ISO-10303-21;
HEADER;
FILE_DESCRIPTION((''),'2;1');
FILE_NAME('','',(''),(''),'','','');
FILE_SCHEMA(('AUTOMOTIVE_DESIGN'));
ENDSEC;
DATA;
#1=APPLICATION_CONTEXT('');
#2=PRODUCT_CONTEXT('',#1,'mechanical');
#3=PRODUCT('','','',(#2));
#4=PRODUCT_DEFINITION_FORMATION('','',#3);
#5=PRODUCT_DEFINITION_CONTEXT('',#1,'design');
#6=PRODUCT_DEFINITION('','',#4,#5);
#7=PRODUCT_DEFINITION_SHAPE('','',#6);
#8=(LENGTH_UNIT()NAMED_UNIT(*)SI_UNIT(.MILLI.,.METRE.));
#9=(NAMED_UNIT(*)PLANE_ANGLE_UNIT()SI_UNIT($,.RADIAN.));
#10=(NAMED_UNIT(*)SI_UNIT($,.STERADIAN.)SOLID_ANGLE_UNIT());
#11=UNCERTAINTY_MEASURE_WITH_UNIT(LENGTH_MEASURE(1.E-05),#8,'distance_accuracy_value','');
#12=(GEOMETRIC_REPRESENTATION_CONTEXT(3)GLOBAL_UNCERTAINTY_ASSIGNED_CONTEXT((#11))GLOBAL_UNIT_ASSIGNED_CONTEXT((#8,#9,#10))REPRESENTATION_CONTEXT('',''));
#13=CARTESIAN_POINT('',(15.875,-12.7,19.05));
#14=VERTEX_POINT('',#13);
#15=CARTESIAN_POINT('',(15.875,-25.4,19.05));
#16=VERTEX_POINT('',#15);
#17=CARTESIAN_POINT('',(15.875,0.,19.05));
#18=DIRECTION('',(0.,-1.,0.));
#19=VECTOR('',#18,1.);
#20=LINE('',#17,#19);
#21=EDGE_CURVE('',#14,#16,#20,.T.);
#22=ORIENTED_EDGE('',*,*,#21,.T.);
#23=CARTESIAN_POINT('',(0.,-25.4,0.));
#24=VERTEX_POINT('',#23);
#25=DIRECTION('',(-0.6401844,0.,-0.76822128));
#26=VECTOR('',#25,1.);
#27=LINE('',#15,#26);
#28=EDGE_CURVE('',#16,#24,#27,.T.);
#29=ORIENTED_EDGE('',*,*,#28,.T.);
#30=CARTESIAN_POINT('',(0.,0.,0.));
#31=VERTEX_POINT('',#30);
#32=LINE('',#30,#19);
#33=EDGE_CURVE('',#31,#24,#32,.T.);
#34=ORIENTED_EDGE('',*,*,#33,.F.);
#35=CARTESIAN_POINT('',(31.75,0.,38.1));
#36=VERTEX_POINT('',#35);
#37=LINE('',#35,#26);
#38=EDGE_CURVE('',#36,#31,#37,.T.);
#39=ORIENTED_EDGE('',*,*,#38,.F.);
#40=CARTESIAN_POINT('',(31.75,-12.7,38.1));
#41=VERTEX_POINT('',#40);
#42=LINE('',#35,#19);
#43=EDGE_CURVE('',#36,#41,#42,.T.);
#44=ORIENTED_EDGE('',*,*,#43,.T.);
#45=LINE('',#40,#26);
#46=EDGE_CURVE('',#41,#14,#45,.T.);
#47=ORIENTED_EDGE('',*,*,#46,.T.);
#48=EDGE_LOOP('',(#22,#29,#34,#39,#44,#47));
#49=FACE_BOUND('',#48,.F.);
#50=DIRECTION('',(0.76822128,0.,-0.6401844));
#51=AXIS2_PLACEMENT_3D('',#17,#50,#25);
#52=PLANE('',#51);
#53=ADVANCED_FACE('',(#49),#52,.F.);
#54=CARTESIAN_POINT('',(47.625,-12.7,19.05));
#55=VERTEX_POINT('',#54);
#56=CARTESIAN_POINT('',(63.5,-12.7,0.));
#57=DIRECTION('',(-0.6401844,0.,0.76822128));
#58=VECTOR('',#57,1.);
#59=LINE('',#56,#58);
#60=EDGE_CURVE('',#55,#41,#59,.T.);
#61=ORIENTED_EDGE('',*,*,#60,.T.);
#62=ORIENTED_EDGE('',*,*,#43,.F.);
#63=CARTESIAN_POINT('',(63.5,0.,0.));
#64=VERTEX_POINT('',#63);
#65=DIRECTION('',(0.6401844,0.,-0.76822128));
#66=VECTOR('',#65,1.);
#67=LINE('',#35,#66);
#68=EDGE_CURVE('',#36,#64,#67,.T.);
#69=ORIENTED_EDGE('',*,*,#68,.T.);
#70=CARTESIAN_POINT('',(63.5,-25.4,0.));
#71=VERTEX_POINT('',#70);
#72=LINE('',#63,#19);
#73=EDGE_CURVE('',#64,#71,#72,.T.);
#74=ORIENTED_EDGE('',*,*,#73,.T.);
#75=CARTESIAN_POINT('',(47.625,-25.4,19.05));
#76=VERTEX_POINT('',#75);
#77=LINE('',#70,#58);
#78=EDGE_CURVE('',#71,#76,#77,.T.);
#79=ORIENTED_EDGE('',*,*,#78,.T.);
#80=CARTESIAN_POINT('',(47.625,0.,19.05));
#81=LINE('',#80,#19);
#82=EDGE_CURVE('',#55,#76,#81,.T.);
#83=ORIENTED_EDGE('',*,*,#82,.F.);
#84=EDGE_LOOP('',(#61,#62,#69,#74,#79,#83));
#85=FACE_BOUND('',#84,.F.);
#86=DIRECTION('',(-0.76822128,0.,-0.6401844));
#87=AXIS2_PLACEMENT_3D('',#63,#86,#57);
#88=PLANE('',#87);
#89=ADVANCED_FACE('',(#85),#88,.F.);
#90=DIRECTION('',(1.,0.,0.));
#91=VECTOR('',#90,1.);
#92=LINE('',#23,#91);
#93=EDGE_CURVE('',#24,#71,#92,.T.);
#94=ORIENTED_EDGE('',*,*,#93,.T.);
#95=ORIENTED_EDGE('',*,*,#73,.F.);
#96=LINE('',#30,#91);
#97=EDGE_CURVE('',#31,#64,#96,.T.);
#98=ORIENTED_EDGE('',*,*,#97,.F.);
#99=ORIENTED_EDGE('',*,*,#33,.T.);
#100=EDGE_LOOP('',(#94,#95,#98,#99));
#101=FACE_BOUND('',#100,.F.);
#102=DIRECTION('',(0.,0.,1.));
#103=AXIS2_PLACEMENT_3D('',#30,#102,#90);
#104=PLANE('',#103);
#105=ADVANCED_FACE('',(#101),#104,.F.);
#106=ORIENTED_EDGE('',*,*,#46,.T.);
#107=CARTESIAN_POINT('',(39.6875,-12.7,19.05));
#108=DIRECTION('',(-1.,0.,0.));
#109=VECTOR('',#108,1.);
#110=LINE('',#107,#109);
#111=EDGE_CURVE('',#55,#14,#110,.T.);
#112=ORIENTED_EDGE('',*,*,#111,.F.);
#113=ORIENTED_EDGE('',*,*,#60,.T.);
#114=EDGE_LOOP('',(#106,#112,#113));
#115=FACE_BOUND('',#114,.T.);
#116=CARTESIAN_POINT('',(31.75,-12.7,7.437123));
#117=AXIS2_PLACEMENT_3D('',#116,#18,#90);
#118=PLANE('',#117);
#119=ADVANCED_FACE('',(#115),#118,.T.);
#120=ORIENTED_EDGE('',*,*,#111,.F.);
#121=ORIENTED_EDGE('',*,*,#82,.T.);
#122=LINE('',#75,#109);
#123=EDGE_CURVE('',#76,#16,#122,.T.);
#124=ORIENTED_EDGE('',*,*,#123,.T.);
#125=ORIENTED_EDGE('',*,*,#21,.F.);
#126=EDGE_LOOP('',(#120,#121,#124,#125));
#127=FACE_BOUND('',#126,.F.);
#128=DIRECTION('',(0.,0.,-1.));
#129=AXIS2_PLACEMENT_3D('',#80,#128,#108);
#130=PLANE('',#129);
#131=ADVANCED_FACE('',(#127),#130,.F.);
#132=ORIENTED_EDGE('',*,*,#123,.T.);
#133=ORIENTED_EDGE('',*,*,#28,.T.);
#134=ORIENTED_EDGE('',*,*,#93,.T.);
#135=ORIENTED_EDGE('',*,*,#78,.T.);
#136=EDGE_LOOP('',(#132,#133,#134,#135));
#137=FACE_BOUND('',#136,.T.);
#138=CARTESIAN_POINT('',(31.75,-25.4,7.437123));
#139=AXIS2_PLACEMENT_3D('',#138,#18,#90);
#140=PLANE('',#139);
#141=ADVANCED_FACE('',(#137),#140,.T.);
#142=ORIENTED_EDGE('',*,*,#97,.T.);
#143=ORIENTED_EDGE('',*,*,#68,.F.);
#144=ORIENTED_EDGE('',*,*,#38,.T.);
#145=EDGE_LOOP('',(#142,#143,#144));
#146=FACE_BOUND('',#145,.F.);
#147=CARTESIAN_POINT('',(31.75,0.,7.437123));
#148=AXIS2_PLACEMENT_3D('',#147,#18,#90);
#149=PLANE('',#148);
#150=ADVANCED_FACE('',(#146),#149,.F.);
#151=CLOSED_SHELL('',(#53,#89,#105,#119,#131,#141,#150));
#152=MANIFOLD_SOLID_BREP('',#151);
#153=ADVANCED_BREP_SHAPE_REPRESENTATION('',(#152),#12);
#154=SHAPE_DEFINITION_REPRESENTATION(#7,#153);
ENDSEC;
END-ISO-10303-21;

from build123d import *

# Parameters (mm, degrees)
F1_DEPTH = 25.4
F2_DEPTH = 12.7


with BuildPart() as f1:
    # F0 (on Front) → F1 (new body)
    with BuildSketch(Plane.XZ):
        Polygon((15.875, 19.05), (0, 0), (63.5, 0), (47.625, 19.05), align=None)
    extrude(amount=F1_DEPTH)

    # F0 (on Front) → F2 (join)
    with BuildSketch(Plane.XZ):
        Polygon((15.875, 19.05), (0, 0), (63.5, 0), (47.625, 19.05), align=None)
        Polygon((31.75, 38.1), (15.875, 19.05), (47.625, 19.05), align=None)
    extrude(amount=F2_DEPTH)


solid = f1.part
